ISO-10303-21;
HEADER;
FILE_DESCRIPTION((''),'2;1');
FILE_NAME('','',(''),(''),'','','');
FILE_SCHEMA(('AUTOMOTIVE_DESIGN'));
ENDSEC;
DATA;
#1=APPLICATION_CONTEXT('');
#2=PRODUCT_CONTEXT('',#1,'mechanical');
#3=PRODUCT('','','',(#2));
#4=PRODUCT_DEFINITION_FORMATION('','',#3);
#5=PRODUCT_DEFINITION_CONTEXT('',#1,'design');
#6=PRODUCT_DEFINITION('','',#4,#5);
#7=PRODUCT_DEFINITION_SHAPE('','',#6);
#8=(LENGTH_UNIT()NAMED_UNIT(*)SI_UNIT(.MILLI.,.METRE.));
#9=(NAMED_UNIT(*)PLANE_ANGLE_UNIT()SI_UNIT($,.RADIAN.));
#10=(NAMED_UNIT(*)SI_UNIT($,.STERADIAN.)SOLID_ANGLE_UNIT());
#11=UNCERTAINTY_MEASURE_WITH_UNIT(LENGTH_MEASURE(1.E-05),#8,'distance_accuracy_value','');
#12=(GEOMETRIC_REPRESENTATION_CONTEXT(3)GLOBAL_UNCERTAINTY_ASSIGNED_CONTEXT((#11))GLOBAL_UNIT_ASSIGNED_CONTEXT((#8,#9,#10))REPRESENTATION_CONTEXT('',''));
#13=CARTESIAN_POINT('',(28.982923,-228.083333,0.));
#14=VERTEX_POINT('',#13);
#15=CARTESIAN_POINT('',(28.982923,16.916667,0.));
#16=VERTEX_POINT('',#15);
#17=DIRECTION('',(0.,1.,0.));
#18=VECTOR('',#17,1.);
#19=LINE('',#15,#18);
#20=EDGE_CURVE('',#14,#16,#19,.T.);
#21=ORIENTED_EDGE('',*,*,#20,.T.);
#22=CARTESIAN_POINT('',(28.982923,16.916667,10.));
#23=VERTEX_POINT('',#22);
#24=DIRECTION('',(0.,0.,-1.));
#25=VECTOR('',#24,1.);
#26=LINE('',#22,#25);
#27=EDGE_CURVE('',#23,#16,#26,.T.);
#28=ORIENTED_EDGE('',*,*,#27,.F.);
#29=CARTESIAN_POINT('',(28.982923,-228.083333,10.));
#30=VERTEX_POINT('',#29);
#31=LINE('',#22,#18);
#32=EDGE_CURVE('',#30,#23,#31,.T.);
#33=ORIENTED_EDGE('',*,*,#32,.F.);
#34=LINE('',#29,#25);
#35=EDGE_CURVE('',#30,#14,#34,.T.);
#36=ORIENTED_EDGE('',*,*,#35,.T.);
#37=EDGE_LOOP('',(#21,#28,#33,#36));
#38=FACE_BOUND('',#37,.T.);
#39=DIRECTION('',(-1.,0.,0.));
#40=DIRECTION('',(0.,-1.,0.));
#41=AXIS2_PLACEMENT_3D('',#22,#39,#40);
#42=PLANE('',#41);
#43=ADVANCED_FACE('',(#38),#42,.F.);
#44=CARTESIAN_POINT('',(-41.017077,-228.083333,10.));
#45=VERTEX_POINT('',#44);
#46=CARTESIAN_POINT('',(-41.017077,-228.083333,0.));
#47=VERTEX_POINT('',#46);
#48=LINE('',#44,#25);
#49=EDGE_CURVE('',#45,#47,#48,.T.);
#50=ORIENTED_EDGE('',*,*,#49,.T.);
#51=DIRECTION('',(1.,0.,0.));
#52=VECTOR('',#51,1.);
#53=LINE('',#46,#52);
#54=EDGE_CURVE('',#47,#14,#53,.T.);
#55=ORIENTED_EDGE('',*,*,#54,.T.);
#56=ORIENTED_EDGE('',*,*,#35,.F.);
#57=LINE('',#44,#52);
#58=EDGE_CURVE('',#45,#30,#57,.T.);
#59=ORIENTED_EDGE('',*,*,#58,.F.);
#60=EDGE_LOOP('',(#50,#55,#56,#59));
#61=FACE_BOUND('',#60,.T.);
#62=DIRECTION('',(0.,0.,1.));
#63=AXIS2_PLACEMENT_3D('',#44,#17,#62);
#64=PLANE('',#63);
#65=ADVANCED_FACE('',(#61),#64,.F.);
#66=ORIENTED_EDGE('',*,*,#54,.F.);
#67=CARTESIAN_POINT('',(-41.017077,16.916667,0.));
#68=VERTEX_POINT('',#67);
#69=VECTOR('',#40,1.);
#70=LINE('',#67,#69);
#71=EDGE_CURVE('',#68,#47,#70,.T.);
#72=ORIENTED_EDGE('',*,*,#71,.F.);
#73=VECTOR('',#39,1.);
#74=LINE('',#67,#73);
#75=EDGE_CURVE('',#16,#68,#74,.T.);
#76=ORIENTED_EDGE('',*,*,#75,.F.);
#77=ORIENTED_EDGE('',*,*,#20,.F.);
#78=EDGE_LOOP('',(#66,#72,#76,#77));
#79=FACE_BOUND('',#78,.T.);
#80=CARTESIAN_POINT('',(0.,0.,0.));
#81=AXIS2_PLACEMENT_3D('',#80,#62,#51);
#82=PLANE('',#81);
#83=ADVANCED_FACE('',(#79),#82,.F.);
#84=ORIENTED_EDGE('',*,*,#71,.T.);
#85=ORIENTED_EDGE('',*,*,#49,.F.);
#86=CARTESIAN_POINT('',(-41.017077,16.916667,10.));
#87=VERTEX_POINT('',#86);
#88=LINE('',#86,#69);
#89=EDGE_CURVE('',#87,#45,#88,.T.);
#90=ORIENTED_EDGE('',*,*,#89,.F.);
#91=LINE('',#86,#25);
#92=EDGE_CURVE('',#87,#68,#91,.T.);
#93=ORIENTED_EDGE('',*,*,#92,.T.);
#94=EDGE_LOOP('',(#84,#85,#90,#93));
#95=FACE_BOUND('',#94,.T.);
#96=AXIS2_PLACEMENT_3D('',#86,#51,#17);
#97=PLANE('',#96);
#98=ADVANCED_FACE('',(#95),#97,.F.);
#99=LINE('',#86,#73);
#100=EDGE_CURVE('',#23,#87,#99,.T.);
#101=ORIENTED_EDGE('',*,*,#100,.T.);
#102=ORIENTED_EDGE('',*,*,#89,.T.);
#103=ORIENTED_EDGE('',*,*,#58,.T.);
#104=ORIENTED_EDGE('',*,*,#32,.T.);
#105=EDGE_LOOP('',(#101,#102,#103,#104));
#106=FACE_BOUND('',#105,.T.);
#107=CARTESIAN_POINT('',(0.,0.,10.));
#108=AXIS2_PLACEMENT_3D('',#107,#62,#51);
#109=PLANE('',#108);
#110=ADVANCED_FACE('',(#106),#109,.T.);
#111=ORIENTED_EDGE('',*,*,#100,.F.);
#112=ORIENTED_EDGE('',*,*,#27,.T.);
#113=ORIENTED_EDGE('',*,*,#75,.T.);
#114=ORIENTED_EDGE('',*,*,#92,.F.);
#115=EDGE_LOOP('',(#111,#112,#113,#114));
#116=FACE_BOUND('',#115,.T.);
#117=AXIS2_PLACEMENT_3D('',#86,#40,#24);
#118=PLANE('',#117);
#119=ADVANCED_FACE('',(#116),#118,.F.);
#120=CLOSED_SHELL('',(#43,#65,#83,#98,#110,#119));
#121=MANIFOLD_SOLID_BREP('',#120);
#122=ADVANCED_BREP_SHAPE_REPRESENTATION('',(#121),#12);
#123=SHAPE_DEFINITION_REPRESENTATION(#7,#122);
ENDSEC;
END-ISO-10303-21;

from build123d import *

# Parameters (mm, degrees)
ESQUISSE1_W        = 70
ESQUISSE1_H        = 245
BOSS_EXTRU_1_DEPTH = 10


with BuildPart() as part:
    # Esquisse1 → Boss.-Extru.1 (new body)
    with BuildSketch(Plane.XY):
        with Locations((-6.017076503, -105.583333333)):
            Rectangle(ESQUISSE1_W, ESQUISSE1_H)
    extrude(amount=BOSS_EXTRU_1_DEPTH)


solid = part.part
